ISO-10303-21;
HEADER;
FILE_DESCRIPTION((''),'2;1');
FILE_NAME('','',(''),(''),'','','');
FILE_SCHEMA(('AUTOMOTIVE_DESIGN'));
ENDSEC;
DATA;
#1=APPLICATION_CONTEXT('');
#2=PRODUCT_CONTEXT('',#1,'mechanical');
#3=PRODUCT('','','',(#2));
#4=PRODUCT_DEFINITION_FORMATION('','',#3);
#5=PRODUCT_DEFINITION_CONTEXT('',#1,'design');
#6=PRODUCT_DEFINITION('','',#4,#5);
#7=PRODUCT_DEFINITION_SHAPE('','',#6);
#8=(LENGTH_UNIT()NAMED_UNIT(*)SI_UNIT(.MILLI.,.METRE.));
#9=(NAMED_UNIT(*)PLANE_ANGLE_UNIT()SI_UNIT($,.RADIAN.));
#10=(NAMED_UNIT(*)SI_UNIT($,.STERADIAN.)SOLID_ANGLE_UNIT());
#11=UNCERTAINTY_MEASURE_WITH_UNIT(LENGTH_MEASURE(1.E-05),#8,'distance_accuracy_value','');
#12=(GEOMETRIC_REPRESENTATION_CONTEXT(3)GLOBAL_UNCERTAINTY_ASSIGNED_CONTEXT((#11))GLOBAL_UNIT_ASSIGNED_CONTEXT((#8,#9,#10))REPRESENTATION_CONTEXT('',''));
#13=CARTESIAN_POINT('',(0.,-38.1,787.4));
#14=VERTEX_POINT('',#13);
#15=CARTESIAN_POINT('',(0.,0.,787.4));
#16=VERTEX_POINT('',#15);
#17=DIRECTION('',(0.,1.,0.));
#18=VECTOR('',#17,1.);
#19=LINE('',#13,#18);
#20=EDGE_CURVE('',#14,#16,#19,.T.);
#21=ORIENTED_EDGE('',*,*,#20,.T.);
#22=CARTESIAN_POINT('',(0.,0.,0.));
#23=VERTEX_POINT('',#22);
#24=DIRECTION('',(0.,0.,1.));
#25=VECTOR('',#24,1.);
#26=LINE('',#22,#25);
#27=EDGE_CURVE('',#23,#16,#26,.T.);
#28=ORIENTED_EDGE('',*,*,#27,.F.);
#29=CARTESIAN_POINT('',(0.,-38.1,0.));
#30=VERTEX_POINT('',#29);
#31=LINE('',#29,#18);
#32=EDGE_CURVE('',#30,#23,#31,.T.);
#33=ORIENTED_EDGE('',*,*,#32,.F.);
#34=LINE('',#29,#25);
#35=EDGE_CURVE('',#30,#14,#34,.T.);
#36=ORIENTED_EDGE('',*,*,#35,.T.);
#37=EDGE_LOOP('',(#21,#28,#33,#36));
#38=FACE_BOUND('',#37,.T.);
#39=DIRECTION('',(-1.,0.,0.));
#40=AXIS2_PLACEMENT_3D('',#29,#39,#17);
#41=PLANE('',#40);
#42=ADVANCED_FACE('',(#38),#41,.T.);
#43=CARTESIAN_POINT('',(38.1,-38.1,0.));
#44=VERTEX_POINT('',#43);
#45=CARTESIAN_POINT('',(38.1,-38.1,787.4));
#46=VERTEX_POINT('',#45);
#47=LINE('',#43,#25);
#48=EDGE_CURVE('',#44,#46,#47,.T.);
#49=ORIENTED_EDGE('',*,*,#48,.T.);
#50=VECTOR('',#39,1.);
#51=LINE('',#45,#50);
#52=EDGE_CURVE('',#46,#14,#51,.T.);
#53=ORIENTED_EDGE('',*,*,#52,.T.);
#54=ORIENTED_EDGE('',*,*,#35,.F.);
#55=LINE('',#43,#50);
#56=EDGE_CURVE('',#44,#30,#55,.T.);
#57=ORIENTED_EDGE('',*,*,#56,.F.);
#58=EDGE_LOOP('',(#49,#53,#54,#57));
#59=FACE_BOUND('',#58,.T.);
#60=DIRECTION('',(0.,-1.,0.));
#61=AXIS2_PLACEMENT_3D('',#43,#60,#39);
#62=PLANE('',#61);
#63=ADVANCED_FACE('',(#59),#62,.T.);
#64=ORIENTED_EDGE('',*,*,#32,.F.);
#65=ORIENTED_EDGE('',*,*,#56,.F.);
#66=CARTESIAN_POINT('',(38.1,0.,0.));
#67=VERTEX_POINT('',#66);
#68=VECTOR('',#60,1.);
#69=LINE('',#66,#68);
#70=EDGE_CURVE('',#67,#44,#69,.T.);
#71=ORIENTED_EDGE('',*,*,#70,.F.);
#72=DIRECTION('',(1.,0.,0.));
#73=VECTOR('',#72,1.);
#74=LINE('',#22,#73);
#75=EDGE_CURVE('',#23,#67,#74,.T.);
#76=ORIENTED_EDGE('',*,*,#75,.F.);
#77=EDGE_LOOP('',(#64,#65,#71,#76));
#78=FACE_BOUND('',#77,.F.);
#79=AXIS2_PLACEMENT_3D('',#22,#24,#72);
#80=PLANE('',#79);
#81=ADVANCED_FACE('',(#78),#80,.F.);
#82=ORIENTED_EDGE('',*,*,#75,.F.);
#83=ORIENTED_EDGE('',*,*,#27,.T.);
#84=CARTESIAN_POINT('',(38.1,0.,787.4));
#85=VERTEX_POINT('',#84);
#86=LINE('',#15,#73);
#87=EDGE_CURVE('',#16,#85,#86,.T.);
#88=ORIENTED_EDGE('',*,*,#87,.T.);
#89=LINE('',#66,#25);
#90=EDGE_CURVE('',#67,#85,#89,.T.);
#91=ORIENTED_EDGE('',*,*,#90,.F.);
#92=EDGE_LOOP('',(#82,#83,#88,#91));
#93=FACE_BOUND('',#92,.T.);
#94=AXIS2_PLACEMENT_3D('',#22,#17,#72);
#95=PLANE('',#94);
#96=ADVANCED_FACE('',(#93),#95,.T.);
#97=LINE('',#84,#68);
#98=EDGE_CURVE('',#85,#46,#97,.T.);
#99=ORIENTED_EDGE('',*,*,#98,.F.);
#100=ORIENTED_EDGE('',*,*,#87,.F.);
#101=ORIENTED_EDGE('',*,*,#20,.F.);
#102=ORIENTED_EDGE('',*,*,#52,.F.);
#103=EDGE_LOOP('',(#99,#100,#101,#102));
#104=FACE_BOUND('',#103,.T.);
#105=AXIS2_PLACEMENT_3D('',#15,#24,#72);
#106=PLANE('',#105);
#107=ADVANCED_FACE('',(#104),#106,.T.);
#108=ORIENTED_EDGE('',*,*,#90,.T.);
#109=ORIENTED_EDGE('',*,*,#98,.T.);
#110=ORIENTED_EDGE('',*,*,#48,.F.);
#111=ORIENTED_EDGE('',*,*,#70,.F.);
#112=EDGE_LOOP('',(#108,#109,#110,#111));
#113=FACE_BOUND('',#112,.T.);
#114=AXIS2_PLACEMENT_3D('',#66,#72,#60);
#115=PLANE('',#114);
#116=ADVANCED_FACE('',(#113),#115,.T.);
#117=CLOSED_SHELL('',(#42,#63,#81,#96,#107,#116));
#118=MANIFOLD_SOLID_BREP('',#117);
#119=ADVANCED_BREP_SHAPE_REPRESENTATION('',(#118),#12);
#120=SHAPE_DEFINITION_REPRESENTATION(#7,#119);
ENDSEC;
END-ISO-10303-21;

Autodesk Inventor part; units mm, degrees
ref_plane "YZ Plane" through (0, 0, 0) normal (1, 0, 0) x (0, 1, 0)
ref_plane "XZ Plane" through (0, 0, 0) normal (0, 1, 0) x (-1, 0, 0)
ref_plane "XY Plane" through (0, 0, 0) normal (0, 0, 1) x (1, 0, 0)
sketch "Sketch1" plane through (0, 0, 0) normal (0, 0, 1) x (1, 0, 0)
  line L0 (0, 0) -> (38.1, 0)
  line L1 (38.1, 0) -> (38.1, -38.1)
  line L2 (38.1, -38.1) -> (0, -38.1)
  line L3 (0, -38.1) -> (0, 0)
  dimension "d0" = 38.1
  dimension "d1" = 38.1
extrude "Extrusion1" add sketch "Sketch1" along normal blind 787.4
properties part number "Gantry Brace"
